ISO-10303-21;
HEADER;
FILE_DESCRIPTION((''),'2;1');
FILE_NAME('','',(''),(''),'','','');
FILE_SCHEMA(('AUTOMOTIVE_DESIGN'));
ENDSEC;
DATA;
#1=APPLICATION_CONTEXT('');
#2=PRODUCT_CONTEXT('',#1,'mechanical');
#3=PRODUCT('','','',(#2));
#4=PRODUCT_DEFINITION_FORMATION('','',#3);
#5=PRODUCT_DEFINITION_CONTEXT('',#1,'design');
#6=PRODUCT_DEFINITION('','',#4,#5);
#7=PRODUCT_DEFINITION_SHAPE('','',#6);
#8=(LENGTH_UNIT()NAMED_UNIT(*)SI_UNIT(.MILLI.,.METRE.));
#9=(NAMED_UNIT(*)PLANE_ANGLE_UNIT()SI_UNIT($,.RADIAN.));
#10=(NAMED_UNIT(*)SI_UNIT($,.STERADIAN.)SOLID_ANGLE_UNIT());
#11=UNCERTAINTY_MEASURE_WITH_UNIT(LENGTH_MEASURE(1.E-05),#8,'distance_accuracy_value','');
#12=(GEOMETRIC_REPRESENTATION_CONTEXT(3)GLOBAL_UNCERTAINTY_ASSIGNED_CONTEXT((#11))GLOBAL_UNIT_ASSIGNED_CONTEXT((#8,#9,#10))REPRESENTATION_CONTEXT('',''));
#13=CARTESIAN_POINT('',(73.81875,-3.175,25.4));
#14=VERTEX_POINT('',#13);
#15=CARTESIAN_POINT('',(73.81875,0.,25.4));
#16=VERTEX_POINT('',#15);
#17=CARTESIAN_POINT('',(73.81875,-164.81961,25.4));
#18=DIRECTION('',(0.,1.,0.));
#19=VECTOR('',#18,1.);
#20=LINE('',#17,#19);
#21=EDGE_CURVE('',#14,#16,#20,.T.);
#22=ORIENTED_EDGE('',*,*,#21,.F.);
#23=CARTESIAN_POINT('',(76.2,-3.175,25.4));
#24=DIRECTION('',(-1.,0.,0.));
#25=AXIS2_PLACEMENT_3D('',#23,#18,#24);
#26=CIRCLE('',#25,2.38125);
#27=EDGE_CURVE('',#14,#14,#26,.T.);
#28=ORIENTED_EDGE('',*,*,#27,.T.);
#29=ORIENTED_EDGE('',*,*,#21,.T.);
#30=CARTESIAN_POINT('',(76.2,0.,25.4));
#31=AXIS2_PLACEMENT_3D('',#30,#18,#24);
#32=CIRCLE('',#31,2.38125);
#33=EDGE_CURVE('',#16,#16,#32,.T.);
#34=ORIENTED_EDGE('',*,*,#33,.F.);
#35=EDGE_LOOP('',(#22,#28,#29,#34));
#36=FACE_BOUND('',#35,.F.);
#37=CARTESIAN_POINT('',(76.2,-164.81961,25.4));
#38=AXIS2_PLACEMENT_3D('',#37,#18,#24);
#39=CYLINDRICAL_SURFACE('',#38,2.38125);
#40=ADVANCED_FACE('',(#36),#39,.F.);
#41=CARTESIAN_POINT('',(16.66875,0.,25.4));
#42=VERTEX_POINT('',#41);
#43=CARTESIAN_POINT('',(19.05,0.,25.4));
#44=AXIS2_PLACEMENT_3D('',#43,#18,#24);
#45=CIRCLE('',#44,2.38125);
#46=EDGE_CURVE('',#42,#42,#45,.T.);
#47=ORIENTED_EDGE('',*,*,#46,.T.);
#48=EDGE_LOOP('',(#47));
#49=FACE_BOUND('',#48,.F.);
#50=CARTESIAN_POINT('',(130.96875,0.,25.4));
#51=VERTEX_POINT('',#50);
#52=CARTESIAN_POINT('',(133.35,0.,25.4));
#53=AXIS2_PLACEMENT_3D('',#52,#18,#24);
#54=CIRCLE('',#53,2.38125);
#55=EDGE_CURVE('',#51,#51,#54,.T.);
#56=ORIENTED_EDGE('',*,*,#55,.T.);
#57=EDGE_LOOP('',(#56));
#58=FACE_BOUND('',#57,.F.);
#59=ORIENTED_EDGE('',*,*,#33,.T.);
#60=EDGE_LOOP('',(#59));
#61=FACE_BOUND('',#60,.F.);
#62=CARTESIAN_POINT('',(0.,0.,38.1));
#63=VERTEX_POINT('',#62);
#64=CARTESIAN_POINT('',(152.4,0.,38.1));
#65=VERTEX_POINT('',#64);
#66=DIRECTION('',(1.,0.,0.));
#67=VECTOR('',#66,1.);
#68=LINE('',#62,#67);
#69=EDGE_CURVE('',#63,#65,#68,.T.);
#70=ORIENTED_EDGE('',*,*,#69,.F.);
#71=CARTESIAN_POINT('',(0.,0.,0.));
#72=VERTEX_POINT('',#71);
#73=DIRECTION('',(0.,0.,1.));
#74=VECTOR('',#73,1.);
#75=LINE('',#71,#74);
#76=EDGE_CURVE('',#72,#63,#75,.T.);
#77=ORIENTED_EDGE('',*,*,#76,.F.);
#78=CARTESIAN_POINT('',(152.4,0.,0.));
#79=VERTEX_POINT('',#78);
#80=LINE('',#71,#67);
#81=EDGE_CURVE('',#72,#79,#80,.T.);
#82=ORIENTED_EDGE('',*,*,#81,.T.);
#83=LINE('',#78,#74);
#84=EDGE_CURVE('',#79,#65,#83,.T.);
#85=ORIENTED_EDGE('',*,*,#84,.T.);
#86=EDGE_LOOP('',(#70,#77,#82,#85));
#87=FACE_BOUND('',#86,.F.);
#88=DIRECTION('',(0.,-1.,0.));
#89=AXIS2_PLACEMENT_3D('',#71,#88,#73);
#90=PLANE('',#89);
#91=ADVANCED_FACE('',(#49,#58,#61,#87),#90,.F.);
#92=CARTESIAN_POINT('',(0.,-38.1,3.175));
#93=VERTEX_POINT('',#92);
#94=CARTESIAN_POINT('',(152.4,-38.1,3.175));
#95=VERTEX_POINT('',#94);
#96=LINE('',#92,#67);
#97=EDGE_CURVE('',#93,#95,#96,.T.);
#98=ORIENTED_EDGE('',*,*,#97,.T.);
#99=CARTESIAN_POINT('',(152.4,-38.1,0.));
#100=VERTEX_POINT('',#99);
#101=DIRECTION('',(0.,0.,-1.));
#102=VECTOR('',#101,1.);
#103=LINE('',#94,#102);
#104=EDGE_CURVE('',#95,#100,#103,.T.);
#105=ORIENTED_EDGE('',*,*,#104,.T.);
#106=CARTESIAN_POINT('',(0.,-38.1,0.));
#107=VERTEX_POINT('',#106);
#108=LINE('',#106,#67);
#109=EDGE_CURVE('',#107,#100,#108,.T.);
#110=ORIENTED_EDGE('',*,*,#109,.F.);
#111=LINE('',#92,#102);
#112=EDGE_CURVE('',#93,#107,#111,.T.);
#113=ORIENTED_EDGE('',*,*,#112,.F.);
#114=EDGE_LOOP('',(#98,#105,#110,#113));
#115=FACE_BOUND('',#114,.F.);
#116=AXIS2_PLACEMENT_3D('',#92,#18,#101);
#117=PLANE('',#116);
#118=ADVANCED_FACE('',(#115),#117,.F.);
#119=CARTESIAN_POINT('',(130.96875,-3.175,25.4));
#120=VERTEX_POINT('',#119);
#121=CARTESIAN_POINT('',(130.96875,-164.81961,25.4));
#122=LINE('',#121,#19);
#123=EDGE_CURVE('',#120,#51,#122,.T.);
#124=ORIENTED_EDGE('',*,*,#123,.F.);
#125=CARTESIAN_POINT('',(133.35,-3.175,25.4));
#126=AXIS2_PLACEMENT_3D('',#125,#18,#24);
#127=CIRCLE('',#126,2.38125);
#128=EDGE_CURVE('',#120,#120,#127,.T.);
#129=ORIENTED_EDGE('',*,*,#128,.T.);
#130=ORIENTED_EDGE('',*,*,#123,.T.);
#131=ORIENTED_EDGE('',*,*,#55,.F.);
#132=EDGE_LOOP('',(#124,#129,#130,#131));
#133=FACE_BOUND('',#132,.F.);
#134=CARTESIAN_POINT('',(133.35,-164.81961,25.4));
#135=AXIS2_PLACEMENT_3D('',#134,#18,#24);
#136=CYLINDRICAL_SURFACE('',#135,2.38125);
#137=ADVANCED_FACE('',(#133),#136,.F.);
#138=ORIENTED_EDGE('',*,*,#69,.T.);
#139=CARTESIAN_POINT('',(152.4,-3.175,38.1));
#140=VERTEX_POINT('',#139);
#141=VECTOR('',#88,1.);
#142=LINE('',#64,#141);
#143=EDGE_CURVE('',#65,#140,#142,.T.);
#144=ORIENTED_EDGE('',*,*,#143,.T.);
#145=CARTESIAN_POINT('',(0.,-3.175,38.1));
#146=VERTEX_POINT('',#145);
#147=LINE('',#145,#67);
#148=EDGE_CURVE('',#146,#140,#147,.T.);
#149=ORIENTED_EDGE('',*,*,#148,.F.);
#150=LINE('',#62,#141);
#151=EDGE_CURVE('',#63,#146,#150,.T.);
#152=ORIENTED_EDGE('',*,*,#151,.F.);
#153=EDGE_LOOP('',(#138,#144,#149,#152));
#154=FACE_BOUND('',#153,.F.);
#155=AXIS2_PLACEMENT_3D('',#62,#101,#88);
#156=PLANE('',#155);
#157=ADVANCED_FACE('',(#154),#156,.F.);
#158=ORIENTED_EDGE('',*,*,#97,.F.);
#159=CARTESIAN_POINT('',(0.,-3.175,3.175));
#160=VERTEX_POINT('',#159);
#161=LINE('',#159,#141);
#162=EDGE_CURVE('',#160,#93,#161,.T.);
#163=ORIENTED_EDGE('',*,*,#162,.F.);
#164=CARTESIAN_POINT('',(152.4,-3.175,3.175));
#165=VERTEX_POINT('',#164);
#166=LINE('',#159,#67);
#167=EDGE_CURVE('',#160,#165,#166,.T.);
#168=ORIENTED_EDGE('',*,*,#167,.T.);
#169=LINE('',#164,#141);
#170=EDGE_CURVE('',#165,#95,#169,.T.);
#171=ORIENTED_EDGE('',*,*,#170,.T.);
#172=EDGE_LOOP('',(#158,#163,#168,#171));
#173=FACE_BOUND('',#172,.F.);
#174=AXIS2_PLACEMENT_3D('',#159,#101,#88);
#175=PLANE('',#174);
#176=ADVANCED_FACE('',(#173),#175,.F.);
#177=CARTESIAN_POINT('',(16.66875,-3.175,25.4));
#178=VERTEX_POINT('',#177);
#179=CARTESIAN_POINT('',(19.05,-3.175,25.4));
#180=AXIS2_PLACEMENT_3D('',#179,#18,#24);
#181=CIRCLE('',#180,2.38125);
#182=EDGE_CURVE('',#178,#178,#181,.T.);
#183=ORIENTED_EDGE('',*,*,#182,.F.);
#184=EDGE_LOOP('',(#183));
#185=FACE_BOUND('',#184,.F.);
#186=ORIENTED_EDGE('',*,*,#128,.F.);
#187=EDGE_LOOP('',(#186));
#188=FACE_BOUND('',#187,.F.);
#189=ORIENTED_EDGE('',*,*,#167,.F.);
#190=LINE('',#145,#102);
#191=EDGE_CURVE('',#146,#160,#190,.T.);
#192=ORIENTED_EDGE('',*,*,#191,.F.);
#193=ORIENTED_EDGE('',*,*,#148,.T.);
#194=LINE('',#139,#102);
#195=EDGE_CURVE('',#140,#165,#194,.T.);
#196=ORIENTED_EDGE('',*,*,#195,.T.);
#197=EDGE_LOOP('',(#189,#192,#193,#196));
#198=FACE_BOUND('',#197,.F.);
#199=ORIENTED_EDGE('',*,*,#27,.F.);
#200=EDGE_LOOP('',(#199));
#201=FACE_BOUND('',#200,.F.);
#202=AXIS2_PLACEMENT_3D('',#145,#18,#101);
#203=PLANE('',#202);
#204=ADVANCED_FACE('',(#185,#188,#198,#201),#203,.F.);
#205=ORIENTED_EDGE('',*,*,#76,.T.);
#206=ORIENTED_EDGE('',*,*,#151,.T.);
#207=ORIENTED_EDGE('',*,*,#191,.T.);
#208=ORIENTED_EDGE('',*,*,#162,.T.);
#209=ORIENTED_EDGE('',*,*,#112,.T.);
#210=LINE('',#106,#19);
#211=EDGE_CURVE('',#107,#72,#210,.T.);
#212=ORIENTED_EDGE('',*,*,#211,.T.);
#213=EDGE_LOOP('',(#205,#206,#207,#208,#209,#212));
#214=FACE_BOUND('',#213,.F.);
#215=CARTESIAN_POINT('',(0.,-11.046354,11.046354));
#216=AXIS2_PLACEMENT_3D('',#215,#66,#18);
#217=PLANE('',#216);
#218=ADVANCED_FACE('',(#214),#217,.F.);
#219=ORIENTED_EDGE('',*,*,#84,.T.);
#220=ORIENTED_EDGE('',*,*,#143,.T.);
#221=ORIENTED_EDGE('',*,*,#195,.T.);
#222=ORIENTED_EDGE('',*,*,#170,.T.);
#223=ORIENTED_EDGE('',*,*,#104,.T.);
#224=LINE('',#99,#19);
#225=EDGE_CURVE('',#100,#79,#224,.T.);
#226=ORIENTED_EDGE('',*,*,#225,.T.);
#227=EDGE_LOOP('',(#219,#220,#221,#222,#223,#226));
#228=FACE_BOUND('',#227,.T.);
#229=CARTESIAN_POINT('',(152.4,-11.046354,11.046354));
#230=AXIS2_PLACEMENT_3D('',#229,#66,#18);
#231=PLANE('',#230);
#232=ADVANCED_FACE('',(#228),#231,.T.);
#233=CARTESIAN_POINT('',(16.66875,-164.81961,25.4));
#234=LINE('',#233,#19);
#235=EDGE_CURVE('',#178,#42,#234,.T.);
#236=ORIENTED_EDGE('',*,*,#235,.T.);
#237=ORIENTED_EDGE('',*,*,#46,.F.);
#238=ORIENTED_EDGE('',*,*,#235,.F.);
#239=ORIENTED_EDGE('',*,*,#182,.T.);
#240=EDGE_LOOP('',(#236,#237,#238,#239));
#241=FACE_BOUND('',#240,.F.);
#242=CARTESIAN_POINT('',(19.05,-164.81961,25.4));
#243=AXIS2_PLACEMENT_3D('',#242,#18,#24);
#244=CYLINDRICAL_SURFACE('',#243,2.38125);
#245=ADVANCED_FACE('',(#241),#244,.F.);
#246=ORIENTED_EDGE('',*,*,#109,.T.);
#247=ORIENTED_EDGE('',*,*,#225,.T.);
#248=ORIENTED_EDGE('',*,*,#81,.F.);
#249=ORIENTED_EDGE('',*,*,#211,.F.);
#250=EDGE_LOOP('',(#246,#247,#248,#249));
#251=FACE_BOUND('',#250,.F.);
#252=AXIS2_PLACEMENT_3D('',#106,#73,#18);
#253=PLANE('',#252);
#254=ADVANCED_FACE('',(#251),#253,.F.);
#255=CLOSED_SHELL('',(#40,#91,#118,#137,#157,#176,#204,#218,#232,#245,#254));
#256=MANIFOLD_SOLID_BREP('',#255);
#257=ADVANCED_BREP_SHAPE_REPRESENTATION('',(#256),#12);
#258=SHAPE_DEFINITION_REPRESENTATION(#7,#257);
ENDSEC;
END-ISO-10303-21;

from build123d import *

# Parameters (mm, degrees)
F1_DEPTH = 152.4
F3_D     = 4.7625


with BuildPart() as f1:
    # F0 (on Right) → F1 (new body)
    with BuildSketch(Plane.YZ):
        Polygon((-38.1, 0), (0, 0), (0, 38.1), (-3.175, 38.1), (-3.175, 3.175), (-38.1, 3.175), align=None)
    extrude(amount=F1_DEPTH)

    # F3 (through all)
    with Locations(Plane.XZ.offset(3.175)):
        with Locations((19.05, 25.4), (76.2, 25.4), (133.35, 25.4)):
            Hole(F3_D / 2)


solid = f1.part
